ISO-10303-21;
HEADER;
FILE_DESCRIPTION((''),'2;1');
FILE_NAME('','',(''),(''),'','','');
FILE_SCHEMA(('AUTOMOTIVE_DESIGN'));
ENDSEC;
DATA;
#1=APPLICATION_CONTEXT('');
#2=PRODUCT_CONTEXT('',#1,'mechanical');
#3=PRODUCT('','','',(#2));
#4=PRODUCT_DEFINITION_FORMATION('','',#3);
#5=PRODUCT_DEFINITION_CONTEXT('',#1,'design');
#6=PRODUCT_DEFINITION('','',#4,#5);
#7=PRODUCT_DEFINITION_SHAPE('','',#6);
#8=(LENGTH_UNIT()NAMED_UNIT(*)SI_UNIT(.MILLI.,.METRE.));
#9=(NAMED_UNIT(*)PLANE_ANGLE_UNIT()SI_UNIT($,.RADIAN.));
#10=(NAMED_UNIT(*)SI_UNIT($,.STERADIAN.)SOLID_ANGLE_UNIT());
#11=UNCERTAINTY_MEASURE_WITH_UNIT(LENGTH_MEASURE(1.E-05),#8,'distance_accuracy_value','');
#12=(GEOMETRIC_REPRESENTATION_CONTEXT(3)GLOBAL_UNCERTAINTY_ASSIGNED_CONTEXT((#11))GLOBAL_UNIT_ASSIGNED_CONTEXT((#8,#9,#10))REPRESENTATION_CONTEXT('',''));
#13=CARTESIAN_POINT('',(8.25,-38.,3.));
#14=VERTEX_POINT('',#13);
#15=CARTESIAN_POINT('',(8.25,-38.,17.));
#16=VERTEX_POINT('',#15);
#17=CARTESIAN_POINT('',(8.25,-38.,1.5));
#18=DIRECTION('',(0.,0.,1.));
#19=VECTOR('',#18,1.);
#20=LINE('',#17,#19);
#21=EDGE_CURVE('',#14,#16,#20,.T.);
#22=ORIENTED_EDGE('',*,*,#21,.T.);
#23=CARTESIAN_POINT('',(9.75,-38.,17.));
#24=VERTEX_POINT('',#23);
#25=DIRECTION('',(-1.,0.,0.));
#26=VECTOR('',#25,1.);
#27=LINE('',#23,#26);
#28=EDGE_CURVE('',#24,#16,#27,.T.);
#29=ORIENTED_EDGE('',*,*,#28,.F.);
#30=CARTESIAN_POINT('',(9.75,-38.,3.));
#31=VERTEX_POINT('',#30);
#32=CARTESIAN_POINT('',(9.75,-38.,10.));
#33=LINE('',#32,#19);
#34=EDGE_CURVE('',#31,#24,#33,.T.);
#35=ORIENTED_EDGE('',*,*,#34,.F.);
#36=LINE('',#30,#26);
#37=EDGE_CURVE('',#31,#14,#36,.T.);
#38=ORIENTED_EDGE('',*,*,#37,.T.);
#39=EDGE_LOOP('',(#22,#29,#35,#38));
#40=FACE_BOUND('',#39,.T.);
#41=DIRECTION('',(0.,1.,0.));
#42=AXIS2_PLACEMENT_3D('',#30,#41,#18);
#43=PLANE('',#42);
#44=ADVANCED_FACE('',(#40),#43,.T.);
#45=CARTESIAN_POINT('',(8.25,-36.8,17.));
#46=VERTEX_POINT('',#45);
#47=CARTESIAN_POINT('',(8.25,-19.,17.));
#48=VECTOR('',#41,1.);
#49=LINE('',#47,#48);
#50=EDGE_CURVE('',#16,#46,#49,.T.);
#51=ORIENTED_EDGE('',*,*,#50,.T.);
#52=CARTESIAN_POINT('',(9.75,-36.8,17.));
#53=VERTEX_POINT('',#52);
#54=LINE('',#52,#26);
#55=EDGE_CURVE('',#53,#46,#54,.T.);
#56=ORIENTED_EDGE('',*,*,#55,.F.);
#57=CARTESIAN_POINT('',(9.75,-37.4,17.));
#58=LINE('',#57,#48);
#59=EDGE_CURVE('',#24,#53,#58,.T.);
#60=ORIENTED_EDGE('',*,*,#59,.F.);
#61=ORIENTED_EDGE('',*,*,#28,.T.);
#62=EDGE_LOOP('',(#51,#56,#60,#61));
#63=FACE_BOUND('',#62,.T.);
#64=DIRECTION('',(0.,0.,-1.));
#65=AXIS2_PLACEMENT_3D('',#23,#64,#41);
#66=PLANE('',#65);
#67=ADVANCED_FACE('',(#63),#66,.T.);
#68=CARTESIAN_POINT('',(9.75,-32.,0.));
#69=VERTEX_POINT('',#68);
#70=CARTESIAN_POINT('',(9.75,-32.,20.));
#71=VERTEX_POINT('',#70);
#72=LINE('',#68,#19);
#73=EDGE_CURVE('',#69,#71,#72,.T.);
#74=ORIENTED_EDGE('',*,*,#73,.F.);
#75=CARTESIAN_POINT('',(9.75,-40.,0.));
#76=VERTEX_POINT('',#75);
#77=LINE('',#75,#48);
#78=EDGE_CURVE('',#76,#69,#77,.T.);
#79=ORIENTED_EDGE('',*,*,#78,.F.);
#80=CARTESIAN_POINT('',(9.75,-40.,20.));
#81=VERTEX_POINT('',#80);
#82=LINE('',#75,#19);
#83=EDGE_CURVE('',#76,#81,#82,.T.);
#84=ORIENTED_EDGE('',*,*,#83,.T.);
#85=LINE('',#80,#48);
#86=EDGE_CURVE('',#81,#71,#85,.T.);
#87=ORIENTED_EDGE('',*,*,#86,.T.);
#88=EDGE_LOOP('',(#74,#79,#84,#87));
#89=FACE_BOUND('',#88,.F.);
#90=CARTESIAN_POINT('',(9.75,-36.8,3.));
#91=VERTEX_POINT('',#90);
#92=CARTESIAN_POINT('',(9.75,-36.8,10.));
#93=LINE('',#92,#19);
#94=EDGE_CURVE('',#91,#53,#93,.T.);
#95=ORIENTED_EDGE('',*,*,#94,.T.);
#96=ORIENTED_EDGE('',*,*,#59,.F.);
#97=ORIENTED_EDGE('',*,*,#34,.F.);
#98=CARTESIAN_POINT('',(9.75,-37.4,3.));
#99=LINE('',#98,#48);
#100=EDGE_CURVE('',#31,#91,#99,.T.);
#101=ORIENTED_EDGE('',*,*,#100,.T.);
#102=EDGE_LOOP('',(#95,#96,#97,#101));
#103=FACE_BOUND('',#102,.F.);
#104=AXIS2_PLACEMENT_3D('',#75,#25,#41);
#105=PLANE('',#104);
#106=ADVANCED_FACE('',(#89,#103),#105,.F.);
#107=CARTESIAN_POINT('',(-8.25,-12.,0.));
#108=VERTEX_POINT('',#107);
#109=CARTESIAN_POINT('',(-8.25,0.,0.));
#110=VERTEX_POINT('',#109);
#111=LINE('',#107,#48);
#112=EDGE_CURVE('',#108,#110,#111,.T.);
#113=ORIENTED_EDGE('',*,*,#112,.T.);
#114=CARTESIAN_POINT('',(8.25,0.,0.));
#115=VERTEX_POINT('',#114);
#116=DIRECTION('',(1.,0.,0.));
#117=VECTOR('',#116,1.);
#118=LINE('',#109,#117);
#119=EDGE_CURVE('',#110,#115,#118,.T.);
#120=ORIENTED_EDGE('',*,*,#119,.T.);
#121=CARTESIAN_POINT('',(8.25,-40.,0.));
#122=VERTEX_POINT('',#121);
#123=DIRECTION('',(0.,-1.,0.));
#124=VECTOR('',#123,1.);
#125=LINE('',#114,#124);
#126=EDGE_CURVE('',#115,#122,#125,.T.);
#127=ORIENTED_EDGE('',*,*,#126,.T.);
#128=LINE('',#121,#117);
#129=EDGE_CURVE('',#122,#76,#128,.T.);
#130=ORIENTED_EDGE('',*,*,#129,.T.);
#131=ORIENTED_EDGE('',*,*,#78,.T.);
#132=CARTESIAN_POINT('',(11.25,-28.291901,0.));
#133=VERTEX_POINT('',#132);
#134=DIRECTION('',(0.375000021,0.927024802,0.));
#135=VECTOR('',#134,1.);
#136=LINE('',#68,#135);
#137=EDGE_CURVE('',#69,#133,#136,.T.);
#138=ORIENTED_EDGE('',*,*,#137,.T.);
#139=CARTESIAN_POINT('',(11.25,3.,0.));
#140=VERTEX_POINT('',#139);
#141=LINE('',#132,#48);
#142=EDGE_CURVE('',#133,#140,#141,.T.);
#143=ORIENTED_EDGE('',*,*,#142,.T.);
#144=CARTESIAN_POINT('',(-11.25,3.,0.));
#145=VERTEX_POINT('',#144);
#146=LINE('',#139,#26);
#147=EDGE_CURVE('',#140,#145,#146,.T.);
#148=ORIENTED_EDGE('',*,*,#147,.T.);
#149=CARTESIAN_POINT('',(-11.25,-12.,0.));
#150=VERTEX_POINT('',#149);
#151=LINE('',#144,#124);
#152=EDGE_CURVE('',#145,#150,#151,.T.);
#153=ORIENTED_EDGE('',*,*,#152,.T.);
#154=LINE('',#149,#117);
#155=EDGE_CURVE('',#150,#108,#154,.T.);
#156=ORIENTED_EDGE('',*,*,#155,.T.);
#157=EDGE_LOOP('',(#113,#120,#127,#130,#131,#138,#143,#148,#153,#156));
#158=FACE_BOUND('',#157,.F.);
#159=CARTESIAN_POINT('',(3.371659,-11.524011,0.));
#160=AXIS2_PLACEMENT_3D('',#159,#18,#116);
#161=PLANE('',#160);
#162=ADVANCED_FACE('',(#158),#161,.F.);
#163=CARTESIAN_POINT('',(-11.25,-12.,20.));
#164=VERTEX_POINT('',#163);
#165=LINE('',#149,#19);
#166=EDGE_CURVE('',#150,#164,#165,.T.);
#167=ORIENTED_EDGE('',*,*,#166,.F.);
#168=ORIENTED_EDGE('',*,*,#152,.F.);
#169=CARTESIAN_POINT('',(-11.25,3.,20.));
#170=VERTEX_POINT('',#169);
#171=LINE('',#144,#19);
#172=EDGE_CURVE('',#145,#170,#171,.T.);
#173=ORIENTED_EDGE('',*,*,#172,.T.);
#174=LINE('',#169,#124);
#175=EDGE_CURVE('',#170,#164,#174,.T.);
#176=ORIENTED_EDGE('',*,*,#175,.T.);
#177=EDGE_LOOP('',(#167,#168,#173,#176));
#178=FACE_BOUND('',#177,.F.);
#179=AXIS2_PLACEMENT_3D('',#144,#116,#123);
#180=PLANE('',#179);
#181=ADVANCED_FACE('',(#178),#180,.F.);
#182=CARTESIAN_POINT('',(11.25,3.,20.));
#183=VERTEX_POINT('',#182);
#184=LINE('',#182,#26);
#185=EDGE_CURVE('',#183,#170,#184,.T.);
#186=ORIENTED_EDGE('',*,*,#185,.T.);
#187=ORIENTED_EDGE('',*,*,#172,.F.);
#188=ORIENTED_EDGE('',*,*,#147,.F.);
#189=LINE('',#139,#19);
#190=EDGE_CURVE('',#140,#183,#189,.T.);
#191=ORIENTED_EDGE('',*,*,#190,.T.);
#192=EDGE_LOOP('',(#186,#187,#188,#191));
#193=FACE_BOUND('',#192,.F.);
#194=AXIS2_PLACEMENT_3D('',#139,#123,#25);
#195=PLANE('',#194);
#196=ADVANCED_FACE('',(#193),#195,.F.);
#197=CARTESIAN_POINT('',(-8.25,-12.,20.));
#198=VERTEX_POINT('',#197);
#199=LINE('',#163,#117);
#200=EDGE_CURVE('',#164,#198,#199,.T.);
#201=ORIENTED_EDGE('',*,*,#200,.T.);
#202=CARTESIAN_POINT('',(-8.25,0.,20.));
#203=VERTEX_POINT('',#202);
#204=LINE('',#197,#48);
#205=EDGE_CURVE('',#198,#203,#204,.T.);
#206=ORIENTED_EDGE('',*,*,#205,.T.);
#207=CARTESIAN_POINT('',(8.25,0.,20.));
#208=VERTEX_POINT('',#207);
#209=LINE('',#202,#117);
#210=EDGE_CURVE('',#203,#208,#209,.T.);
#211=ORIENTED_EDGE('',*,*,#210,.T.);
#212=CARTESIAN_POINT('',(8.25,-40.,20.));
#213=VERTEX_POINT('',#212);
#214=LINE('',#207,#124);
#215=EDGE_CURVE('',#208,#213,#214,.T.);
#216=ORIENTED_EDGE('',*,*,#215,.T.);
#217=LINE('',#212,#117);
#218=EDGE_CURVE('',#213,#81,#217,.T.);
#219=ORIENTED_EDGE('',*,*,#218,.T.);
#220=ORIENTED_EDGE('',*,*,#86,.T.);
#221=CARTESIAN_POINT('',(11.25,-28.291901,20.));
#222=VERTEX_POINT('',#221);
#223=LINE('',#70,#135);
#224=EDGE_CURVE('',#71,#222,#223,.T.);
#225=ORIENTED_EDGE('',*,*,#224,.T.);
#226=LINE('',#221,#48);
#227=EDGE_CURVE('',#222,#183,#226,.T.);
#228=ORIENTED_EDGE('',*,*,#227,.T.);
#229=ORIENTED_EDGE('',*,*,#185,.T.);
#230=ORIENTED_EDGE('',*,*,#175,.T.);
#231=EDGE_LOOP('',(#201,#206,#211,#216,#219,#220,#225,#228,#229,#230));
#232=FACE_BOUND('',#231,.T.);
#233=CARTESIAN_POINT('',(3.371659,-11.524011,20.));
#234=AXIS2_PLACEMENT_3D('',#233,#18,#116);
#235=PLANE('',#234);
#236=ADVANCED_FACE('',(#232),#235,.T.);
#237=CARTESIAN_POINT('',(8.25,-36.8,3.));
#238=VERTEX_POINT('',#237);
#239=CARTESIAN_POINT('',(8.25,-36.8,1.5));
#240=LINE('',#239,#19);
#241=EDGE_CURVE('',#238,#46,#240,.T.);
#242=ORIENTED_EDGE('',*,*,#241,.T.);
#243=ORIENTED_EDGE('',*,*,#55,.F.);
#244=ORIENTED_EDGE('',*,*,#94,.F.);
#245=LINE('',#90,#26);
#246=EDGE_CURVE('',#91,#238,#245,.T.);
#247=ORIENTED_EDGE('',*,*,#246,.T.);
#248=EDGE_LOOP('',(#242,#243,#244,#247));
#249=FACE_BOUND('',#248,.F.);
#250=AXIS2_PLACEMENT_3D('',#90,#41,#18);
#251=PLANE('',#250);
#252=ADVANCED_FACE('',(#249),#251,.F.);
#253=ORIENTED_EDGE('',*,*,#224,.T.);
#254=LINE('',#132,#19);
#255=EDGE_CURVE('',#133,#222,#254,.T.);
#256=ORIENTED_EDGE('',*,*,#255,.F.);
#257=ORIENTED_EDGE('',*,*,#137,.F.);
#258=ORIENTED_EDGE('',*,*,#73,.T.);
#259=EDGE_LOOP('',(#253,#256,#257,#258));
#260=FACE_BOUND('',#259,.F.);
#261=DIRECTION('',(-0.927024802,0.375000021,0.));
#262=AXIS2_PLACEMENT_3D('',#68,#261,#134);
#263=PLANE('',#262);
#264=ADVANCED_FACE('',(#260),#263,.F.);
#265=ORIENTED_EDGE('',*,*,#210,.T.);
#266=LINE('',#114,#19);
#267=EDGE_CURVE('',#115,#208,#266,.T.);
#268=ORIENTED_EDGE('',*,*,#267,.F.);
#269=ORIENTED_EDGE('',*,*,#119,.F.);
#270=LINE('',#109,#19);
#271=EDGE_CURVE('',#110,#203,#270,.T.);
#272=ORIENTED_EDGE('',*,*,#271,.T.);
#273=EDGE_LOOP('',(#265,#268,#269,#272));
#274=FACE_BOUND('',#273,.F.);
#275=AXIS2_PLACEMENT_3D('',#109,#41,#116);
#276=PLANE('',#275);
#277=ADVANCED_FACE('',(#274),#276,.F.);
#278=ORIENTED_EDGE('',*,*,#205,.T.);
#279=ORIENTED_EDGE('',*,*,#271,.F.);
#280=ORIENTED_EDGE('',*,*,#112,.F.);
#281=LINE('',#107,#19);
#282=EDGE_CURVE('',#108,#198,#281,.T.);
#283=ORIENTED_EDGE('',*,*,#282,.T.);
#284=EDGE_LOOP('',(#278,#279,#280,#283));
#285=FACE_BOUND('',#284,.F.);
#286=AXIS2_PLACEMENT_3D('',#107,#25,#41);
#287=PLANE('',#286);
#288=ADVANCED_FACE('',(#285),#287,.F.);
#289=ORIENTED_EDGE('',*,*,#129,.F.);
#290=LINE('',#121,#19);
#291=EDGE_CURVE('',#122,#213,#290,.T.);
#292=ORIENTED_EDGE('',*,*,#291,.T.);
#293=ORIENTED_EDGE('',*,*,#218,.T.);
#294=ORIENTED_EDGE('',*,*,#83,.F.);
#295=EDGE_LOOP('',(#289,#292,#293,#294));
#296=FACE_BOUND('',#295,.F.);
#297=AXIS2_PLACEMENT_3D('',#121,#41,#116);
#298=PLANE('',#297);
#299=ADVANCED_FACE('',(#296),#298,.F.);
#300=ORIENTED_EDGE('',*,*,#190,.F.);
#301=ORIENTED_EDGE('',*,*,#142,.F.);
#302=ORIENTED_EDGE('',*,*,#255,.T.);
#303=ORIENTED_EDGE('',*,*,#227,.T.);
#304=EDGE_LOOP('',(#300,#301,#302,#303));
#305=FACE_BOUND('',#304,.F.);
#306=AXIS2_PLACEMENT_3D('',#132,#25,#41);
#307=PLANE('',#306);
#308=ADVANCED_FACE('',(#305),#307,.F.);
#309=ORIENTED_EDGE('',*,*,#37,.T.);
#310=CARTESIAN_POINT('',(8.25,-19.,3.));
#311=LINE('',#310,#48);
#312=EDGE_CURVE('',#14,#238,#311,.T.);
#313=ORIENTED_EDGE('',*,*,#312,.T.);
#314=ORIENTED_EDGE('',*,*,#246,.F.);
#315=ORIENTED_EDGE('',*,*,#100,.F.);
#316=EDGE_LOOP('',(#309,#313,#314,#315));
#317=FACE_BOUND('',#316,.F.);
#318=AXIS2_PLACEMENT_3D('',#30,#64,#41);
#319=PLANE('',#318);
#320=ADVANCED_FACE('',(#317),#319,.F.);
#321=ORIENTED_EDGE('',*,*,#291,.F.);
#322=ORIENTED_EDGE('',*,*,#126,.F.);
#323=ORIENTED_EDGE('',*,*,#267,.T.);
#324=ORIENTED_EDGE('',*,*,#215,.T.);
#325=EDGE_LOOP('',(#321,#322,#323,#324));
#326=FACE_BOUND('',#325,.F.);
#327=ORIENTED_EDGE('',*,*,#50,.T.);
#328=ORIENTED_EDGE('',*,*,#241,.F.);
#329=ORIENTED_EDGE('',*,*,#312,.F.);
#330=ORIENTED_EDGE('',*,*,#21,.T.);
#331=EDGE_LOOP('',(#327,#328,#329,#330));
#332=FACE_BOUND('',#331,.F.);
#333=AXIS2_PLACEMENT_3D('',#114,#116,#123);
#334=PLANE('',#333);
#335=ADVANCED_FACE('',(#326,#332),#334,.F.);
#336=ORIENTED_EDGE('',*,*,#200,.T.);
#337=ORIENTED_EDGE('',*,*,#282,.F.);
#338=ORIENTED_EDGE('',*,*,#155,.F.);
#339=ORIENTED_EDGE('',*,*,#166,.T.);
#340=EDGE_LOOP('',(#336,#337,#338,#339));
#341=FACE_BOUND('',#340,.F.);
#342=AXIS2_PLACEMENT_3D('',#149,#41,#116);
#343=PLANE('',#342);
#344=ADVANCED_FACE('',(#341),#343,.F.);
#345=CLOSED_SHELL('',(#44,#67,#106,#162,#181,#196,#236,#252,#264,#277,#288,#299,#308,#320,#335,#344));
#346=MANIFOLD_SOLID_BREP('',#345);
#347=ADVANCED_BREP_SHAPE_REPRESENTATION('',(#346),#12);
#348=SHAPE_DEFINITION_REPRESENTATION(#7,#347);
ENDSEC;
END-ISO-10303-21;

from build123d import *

# Parameters (mm, degrees)
F1_DEPTH = 20
F2_W     = 1.2
F2_H     = 14
F3_DEPTH = 5


with BuildPart() as f1:
    # F0 (on Top) → F1 (new body)
    with BuildSketch(Plane.XY):
        Polygon((-8.25, -12), (-8.25, 0), (8.25, 0), (8.25, -40), (9.75, -40), (9.75, -32), (11.25, -28.291901), (11.25, 3), (-11.25, 3), (-11.25, -12), align=None)
    extrude(amount=F1_DEPTH)

    # F2 (on face) → F3 (cut)
    with BuildSketch(Plane.YZ.offset(9.75)):
        with Locations((-37.4, 10)):
            Rectangle(F2_W, F2_H)
    extrude(amount=-F3_DEPTH, mode=Mode.SUBTRACT)


solid = f1.part
